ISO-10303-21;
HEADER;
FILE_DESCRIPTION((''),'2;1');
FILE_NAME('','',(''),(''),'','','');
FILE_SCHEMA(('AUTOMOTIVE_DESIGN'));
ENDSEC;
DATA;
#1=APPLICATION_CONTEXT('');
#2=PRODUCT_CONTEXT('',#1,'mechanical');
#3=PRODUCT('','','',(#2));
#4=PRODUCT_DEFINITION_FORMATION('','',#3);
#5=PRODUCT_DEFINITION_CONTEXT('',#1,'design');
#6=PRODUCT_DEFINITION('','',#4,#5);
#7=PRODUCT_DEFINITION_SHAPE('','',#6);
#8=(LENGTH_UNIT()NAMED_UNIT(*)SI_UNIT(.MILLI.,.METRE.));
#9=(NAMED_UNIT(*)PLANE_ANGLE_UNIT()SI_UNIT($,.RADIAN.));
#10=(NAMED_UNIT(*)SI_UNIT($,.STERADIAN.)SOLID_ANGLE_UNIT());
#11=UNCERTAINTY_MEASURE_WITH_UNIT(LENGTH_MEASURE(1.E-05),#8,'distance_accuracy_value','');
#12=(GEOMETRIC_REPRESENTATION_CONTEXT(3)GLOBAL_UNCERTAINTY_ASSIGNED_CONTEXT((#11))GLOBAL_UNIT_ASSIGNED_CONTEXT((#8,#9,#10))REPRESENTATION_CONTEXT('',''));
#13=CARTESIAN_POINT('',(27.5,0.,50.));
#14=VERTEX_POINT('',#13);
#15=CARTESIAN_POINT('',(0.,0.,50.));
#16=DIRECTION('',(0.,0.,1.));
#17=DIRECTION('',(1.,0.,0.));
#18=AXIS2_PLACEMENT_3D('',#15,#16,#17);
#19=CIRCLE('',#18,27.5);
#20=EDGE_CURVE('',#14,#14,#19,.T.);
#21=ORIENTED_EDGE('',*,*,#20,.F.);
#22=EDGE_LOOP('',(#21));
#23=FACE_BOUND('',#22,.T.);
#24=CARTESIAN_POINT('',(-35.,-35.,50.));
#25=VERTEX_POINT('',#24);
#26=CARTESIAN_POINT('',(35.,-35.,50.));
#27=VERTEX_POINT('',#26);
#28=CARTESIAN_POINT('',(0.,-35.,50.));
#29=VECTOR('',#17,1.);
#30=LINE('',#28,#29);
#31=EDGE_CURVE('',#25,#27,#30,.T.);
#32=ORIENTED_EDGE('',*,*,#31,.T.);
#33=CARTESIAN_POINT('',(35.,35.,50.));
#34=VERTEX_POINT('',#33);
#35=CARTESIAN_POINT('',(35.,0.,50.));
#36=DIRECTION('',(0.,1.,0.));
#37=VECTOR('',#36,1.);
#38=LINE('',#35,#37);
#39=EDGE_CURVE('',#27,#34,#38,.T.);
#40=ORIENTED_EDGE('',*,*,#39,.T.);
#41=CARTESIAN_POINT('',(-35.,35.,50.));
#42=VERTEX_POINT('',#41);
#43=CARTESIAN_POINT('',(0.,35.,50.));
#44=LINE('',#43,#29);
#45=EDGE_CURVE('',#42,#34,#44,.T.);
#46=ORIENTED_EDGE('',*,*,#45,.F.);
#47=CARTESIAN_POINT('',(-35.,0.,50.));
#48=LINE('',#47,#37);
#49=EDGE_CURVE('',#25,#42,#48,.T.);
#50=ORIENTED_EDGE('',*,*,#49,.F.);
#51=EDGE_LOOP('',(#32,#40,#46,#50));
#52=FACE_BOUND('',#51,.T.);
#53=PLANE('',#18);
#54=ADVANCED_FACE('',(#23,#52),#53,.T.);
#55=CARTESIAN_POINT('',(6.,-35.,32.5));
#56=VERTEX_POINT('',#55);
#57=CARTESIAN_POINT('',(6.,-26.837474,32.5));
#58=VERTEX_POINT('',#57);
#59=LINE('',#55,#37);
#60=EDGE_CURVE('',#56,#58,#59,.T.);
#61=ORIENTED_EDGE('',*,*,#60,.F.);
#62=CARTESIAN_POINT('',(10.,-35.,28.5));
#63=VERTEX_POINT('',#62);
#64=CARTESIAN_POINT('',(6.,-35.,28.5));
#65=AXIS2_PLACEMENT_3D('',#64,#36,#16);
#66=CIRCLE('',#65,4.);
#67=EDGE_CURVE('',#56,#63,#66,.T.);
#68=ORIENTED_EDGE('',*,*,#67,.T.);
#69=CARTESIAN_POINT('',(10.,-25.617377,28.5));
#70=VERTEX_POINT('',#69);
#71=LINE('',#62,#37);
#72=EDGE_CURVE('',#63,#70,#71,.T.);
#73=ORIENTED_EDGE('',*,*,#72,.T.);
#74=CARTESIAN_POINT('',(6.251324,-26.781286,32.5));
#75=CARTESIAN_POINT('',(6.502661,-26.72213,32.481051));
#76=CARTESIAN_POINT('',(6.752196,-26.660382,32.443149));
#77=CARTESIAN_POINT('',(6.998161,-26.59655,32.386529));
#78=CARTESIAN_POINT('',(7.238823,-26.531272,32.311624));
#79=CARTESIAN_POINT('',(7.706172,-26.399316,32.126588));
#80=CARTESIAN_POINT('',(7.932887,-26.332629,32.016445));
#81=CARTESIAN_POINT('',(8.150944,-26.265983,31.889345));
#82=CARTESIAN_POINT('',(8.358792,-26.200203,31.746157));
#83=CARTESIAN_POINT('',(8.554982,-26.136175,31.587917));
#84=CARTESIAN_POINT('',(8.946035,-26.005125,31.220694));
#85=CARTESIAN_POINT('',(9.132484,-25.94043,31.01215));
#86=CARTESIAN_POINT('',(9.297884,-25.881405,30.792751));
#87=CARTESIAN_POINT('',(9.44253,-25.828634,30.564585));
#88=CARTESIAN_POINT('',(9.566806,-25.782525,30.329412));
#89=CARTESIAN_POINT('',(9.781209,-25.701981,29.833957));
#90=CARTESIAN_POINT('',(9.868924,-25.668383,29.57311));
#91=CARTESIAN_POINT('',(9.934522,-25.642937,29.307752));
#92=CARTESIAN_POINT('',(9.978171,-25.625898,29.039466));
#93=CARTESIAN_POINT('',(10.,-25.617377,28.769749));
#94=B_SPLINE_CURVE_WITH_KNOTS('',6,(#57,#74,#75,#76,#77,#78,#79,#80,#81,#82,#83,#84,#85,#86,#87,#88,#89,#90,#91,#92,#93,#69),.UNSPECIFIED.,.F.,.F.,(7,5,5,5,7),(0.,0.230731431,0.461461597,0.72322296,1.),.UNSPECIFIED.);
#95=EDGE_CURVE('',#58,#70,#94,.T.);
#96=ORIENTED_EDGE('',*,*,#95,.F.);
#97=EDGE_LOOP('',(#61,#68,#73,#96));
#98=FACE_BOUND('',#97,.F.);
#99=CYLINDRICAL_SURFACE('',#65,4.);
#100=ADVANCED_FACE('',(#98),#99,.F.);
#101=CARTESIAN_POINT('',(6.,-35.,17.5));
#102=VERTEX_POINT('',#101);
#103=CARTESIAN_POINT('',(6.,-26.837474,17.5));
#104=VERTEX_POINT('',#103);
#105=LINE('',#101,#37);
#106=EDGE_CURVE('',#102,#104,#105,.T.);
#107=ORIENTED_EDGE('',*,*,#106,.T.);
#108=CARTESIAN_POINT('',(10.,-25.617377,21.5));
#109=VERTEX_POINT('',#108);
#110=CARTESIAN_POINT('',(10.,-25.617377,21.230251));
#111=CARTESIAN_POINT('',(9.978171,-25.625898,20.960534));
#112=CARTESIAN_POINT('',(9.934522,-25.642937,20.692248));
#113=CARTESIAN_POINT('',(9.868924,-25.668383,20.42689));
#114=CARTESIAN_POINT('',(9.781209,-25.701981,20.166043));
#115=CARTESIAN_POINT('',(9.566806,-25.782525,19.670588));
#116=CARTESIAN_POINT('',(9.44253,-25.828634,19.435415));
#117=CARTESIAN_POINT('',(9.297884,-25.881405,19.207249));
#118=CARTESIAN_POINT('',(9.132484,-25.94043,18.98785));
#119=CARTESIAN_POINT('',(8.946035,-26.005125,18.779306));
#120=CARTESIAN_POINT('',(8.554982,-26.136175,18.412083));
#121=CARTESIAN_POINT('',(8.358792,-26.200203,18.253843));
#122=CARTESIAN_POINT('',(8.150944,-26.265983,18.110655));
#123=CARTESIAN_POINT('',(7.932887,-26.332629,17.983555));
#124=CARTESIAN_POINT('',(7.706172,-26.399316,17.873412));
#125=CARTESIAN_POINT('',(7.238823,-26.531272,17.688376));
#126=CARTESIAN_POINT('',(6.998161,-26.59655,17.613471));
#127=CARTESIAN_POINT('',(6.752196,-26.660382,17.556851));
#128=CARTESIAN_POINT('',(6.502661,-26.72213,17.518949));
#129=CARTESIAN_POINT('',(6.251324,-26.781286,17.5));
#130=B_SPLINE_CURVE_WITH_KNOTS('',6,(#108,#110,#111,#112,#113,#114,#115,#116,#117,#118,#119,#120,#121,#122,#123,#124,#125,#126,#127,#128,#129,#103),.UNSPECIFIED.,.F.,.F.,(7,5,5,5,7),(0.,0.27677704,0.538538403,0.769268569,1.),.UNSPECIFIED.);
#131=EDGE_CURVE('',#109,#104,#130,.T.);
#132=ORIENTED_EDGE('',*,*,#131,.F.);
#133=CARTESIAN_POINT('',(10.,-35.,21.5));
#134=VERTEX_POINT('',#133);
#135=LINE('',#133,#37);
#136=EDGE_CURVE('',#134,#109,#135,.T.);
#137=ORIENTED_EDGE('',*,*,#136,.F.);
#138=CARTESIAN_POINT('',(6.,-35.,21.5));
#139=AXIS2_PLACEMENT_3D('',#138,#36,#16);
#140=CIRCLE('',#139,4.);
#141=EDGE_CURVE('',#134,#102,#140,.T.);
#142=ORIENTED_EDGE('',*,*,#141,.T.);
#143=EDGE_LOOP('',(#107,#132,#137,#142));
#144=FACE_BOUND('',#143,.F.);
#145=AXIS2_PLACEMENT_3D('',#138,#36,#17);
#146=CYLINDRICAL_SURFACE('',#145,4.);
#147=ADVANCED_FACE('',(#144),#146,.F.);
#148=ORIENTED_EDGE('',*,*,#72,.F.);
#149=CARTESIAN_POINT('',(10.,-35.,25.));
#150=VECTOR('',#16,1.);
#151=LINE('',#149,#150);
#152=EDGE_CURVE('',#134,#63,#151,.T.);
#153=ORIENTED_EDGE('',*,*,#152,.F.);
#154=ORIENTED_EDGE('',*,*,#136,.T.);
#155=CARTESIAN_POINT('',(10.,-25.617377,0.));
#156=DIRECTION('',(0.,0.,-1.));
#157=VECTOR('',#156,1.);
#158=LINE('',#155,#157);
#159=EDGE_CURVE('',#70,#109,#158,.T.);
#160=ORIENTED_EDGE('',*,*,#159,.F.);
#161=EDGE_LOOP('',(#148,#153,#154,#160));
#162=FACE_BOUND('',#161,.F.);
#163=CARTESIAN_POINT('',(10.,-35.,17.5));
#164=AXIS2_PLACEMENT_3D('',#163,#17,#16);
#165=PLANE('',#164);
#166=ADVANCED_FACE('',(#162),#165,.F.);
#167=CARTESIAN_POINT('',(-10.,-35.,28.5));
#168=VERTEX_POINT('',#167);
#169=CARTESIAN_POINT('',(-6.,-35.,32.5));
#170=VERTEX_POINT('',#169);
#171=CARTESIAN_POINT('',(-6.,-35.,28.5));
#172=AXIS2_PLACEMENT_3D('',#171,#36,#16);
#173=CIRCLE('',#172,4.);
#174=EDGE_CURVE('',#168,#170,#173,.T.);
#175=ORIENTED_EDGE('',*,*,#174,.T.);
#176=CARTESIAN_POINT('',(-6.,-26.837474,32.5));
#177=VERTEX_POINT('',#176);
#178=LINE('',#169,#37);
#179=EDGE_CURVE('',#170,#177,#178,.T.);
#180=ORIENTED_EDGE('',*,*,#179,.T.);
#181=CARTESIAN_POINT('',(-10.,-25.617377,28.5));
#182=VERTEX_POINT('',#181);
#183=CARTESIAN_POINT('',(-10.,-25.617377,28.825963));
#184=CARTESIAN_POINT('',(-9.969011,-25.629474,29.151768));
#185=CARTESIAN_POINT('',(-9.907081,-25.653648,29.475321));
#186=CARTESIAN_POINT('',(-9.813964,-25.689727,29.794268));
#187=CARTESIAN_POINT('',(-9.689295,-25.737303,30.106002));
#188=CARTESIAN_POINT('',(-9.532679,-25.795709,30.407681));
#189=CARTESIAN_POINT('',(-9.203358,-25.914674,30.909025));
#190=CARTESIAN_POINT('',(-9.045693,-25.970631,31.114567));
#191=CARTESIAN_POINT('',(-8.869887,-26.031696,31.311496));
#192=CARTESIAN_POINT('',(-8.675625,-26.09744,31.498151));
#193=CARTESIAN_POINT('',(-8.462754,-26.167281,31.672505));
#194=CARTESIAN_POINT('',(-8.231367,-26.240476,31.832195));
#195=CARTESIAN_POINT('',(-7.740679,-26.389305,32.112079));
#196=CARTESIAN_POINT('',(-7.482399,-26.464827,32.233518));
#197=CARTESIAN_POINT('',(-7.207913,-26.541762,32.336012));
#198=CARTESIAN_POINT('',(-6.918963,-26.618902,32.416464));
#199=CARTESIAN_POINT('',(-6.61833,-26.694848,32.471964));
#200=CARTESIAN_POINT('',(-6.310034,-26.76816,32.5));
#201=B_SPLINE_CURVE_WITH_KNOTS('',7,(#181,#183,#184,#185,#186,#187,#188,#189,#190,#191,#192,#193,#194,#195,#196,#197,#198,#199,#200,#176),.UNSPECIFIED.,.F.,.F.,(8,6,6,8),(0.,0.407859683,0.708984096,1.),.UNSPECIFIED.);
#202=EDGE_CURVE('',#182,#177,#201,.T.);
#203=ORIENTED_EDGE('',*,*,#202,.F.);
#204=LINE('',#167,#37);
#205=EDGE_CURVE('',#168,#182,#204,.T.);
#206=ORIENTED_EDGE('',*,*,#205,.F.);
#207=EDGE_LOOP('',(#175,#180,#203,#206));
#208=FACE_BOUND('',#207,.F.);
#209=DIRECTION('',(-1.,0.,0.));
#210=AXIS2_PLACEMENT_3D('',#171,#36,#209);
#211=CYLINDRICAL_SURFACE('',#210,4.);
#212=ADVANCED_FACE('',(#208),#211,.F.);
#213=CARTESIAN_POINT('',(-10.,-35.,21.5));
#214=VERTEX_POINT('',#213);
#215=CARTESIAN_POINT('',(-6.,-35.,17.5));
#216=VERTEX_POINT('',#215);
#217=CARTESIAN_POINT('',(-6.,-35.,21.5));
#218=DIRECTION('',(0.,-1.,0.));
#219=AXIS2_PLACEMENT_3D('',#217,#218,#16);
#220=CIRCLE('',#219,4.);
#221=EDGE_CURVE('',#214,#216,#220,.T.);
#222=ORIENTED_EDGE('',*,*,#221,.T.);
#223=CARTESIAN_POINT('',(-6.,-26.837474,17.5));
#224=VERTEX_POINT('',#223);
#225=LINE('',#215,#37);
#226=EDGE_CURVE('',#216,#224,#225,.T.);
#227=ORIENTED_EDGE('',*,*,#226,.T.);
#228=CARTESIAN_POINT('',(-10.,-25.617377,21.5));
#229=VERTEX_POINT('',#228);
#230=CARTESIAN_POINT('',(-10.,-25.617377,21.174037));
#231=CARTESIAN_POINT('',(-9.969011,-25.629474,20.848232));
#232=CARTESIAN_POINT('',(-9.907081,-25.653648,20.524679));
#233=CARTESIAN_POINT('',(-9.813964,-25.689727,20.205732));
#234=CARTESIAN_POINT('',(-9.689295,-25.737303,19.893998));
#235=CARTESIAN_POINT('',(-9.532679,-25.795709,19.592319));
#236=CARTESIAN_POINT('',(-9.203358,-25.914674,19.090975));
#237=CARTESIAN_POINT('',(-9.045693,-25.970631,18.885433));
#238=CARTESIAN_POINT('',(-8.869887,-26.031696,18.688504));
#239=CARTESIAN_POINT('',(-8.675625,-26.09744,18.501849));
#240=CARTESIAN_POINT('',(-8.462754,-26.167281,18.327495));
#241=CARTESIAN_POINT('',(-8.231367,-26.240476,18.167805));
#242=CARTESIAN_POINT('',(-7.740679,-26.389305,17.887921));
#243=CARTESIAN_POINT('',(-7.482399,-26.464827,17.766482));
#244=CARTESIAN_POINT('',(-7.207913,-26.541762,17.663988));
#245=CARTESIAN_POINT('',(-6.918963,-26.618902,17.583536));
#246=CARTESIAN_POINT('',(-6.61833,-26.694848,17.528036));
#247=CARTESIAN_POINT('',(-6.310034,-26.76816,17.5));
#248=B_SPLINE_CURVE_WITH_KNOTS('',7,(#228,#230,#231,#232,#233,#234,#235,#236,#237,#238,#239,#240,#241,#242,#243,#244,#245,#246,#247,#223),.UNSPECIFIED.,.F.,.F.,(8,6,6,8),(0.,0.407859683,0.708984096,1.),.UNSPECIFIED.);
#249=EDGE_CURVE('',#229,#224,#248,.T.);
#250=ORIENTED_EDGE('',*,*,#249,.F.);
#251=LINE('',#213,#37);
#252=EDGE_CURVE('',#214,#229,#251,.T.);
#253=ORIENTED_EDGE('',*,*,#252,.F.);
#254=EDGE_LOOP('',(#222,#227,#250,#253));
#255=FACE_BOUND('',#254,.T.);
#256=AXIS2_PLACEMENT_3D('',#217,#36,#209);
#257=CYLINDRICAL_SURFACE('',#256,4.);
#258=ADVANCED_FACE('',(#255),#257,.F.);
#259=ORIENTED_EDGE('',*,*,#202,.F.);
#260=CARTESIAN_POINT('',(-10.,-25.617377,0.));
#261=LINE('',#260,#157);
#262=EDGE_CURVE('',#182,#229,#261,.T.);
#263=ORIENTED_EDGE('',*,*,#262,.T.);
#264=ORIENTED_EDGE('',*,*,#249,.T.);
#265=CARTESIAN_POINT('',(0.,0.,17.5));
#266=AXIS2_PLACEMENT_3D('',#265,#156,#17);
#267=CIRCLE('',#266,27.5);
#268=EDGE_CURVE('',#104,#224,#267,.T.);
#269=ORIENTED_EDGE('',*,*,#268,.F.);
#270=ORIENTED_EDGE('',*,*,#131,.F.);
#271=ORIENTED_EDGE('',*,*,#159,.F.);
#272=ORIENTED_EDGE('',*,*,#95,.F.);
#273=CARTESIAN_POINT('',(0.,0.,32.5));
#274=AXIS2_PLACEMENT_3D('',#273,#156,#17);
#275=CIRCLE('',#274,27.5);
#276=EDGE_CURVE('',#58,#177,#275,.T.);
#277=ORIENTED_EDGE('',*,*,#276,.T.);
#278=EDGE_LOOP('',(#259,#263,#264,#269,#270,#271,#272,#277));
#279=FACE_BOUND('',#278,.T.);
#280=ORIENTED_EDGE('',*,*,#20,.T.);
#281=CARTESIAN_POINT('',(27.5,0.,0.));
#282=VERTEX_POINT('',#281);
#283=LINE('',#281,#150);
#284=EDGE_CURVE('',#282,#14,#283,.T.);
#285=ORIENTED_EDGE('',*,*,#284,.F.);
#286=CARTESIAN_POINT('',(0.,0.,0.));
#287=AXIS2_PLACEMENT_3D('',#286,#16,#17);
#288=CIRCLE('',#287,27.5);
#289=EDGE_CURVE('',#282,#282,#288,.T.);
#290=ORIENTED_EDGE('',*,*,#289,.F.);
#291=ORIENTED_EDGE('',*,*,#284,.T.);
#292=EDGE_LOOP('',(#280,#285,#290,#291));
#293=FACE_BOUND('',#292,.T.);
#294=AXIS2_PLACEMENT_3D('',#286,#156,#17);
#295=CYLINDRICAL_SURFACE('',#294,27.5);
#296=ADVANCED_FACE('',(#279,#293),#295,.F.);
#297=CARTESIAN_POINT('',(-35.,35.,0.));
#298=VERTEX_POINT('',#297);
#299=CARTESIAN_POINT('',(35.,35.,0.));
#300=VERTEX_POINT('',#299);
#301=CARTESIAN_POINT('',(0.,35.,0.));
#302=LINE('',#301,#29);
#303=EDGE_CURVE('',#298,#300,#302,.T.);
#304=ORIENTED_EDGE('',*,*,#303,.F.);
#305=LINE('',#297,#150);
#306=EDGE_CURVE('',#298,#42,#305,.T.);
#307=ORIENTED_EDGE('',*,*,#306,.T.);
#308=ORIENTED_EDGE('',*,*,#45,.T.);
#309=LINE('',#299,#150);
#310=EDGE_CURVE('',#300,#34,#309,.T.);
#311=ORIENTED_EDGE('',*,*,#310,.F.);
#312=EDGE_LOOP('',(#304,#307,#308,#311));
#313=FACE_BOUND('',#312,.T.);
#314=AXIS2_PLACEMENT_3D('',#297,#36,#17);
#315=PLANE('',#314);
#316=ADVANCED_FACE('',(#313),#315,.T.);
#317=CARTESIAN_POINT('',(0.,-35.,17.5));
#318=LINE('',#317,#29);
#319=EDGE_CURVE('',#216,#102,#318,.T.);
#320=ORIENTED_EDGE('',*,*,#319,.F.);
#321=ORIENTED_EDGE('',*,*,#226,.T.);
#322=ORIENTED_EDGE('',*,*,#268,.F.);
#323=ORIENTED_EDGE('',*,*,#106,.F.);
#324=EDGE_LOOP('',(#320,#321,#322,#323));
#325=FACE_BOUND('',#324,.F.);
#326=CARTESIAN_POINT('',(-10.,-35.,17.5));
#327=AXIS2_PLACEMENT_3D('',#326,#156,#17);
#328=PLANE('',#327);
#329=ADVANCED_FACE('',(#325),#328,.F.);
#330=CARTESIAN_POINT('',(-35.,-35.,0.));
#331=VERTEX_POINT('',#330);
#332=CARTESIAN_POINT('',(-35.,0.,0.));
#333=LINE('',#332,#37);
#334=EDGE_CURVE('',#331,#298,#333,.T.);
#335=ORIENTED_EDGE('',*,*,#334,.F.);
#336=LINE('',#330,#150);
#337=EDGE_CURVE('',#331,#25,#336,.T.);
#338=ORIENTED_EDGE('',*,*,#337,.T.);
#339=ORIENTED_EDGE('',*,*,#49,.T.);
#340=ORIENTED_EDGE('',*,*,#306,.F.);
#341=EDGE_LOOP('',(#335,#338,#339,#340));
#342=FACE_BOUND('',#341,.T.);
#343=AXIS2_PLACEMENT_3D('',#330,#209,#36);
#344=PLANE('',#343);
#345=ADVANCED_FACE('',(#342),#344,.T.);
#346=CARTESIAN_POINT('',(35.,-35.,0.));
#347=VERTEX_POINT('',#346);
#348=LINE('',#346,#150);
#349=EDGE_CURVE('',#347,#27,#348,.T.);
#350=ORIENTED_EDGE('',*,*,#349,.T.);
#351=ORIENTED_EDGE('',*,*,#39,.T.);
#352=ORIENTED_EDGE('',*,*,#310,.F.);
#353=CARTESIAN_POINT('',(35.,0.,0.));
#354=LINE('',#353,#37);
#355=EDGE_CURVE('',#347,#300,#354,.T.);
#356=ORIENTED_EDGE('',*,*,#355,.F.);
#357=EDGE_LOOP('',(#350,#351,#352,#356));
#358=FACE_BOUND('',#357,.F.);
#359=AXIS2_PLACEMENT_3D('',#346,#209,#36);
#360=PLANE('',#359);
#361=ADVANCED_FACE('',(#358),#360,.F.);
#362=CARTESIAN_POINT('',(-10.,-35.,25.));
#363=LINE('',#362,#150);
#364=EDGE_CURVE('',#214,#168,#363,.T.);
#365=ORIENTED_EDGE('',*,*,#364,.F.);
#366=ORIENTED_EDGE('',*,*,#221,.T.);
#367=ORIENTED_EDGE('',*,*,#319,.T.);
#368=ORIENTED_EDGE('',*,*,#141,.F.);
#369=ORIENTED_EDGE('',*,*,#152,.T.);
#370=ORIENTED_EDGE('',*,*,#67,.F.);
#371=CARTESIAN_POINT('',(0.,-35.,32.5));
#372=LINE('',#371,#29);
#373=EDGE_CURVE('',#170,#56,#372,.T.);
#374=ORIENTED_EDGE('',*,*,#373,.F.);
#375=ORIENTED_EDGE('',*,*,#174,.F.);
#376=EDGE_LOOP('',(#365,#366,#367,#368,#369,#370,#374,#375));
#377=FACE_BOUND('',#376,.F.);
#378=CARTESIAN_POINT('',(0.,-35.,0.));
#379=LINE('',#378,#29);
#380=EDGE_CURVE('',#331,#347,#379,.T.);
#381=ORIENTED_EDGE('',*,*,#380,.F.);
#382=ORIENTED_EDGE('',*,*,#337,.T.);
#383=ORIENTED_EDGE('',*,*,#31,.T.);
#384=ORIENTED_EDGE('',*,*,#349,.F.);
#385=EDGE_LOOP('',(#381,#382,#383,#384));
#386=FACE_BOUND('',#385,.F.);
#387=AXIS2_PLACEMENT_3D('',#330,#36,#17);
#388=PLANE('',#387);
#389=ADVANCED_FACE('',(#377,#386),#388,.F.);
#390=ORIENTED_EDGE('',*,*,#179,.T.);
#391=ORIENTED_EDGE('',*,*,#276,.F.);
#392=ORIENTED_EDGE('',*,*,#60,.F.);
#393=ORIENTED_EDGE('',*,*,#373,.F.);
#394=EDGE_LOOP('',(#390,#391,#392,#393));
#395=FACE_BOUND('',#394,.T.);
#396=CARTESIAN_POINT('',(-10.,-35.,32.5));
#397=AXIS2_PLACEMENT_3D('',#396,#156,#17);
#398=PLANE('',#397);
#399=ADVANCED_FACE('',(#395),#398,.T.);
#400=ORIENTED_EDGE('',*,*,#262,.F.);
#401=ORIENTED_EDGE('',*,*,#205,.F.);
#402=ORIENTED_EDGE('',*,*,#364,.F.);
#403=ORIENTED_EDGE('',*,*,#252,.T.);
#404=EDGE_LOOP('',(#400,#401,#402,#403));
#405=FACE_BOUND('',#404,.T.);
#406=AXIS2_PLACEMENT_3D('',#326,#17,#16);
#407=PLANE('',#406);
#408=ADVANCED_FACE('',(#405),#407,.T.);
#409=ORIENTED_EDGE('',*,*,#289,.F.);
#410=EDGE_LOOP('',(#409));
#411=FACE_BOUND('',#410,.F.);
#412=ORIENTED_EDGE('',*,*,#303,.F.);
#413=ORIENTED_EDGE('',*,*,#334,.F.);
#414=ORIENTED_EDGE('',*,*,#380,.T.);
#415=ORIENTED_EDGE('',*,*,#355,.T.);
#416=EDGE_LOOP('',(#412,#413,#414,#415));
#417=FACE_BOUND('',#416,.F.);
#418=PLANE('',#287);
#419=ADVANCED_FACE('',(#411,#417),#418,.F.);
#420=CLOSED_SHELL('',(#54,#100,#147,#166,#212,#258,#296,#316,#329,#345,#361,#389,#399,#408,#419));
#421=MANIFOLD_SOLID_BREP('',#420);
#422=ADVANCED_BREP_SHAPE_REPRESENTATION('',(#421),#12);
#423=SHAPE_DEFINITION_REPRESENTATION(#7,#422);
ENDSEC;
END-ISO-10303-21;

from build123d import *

# Parameters (mm, degrees)
F0_W     = 70
F0_H     = 70
F0_R     = 27.5
F1_DEPTH = 50
F2_W     = 20
F2_H     = 15
F3_DEPTH = 25
F4_R     = 4


with BuildPart() as f1:
    # F0 (on Top) → F1 (new body)
    with BuildSketch(Plane.XY):
        Rectangle(F0_W, F0_H)
        Circle(F0_R, mode=Mode.SUBTRACT)
    extrude(amount=F1_DEPTH)

    # F2 (on face) → F3 (cut)
    with BuildSketch(Plane.XZ.offset(35)):
        with Locations((0, 25)):
            Rectangle(F2_W, F2_H)
    extrude(amount=-F3_DEPTH, mode=Mode.SUBTRACT)

    # F4
    f4_edges = [f1.edges().sort_by_distance(p)[0] for p in [
        (-10, -30.308688, 32.5),
        (10, -30.308688, 32.5),
        (10, -30.308688, 17.5),
        (-10, -30.308688, 17.5),
    ]]
    fillet(f4_edges, radius=F4_R)


solid = f1.part
